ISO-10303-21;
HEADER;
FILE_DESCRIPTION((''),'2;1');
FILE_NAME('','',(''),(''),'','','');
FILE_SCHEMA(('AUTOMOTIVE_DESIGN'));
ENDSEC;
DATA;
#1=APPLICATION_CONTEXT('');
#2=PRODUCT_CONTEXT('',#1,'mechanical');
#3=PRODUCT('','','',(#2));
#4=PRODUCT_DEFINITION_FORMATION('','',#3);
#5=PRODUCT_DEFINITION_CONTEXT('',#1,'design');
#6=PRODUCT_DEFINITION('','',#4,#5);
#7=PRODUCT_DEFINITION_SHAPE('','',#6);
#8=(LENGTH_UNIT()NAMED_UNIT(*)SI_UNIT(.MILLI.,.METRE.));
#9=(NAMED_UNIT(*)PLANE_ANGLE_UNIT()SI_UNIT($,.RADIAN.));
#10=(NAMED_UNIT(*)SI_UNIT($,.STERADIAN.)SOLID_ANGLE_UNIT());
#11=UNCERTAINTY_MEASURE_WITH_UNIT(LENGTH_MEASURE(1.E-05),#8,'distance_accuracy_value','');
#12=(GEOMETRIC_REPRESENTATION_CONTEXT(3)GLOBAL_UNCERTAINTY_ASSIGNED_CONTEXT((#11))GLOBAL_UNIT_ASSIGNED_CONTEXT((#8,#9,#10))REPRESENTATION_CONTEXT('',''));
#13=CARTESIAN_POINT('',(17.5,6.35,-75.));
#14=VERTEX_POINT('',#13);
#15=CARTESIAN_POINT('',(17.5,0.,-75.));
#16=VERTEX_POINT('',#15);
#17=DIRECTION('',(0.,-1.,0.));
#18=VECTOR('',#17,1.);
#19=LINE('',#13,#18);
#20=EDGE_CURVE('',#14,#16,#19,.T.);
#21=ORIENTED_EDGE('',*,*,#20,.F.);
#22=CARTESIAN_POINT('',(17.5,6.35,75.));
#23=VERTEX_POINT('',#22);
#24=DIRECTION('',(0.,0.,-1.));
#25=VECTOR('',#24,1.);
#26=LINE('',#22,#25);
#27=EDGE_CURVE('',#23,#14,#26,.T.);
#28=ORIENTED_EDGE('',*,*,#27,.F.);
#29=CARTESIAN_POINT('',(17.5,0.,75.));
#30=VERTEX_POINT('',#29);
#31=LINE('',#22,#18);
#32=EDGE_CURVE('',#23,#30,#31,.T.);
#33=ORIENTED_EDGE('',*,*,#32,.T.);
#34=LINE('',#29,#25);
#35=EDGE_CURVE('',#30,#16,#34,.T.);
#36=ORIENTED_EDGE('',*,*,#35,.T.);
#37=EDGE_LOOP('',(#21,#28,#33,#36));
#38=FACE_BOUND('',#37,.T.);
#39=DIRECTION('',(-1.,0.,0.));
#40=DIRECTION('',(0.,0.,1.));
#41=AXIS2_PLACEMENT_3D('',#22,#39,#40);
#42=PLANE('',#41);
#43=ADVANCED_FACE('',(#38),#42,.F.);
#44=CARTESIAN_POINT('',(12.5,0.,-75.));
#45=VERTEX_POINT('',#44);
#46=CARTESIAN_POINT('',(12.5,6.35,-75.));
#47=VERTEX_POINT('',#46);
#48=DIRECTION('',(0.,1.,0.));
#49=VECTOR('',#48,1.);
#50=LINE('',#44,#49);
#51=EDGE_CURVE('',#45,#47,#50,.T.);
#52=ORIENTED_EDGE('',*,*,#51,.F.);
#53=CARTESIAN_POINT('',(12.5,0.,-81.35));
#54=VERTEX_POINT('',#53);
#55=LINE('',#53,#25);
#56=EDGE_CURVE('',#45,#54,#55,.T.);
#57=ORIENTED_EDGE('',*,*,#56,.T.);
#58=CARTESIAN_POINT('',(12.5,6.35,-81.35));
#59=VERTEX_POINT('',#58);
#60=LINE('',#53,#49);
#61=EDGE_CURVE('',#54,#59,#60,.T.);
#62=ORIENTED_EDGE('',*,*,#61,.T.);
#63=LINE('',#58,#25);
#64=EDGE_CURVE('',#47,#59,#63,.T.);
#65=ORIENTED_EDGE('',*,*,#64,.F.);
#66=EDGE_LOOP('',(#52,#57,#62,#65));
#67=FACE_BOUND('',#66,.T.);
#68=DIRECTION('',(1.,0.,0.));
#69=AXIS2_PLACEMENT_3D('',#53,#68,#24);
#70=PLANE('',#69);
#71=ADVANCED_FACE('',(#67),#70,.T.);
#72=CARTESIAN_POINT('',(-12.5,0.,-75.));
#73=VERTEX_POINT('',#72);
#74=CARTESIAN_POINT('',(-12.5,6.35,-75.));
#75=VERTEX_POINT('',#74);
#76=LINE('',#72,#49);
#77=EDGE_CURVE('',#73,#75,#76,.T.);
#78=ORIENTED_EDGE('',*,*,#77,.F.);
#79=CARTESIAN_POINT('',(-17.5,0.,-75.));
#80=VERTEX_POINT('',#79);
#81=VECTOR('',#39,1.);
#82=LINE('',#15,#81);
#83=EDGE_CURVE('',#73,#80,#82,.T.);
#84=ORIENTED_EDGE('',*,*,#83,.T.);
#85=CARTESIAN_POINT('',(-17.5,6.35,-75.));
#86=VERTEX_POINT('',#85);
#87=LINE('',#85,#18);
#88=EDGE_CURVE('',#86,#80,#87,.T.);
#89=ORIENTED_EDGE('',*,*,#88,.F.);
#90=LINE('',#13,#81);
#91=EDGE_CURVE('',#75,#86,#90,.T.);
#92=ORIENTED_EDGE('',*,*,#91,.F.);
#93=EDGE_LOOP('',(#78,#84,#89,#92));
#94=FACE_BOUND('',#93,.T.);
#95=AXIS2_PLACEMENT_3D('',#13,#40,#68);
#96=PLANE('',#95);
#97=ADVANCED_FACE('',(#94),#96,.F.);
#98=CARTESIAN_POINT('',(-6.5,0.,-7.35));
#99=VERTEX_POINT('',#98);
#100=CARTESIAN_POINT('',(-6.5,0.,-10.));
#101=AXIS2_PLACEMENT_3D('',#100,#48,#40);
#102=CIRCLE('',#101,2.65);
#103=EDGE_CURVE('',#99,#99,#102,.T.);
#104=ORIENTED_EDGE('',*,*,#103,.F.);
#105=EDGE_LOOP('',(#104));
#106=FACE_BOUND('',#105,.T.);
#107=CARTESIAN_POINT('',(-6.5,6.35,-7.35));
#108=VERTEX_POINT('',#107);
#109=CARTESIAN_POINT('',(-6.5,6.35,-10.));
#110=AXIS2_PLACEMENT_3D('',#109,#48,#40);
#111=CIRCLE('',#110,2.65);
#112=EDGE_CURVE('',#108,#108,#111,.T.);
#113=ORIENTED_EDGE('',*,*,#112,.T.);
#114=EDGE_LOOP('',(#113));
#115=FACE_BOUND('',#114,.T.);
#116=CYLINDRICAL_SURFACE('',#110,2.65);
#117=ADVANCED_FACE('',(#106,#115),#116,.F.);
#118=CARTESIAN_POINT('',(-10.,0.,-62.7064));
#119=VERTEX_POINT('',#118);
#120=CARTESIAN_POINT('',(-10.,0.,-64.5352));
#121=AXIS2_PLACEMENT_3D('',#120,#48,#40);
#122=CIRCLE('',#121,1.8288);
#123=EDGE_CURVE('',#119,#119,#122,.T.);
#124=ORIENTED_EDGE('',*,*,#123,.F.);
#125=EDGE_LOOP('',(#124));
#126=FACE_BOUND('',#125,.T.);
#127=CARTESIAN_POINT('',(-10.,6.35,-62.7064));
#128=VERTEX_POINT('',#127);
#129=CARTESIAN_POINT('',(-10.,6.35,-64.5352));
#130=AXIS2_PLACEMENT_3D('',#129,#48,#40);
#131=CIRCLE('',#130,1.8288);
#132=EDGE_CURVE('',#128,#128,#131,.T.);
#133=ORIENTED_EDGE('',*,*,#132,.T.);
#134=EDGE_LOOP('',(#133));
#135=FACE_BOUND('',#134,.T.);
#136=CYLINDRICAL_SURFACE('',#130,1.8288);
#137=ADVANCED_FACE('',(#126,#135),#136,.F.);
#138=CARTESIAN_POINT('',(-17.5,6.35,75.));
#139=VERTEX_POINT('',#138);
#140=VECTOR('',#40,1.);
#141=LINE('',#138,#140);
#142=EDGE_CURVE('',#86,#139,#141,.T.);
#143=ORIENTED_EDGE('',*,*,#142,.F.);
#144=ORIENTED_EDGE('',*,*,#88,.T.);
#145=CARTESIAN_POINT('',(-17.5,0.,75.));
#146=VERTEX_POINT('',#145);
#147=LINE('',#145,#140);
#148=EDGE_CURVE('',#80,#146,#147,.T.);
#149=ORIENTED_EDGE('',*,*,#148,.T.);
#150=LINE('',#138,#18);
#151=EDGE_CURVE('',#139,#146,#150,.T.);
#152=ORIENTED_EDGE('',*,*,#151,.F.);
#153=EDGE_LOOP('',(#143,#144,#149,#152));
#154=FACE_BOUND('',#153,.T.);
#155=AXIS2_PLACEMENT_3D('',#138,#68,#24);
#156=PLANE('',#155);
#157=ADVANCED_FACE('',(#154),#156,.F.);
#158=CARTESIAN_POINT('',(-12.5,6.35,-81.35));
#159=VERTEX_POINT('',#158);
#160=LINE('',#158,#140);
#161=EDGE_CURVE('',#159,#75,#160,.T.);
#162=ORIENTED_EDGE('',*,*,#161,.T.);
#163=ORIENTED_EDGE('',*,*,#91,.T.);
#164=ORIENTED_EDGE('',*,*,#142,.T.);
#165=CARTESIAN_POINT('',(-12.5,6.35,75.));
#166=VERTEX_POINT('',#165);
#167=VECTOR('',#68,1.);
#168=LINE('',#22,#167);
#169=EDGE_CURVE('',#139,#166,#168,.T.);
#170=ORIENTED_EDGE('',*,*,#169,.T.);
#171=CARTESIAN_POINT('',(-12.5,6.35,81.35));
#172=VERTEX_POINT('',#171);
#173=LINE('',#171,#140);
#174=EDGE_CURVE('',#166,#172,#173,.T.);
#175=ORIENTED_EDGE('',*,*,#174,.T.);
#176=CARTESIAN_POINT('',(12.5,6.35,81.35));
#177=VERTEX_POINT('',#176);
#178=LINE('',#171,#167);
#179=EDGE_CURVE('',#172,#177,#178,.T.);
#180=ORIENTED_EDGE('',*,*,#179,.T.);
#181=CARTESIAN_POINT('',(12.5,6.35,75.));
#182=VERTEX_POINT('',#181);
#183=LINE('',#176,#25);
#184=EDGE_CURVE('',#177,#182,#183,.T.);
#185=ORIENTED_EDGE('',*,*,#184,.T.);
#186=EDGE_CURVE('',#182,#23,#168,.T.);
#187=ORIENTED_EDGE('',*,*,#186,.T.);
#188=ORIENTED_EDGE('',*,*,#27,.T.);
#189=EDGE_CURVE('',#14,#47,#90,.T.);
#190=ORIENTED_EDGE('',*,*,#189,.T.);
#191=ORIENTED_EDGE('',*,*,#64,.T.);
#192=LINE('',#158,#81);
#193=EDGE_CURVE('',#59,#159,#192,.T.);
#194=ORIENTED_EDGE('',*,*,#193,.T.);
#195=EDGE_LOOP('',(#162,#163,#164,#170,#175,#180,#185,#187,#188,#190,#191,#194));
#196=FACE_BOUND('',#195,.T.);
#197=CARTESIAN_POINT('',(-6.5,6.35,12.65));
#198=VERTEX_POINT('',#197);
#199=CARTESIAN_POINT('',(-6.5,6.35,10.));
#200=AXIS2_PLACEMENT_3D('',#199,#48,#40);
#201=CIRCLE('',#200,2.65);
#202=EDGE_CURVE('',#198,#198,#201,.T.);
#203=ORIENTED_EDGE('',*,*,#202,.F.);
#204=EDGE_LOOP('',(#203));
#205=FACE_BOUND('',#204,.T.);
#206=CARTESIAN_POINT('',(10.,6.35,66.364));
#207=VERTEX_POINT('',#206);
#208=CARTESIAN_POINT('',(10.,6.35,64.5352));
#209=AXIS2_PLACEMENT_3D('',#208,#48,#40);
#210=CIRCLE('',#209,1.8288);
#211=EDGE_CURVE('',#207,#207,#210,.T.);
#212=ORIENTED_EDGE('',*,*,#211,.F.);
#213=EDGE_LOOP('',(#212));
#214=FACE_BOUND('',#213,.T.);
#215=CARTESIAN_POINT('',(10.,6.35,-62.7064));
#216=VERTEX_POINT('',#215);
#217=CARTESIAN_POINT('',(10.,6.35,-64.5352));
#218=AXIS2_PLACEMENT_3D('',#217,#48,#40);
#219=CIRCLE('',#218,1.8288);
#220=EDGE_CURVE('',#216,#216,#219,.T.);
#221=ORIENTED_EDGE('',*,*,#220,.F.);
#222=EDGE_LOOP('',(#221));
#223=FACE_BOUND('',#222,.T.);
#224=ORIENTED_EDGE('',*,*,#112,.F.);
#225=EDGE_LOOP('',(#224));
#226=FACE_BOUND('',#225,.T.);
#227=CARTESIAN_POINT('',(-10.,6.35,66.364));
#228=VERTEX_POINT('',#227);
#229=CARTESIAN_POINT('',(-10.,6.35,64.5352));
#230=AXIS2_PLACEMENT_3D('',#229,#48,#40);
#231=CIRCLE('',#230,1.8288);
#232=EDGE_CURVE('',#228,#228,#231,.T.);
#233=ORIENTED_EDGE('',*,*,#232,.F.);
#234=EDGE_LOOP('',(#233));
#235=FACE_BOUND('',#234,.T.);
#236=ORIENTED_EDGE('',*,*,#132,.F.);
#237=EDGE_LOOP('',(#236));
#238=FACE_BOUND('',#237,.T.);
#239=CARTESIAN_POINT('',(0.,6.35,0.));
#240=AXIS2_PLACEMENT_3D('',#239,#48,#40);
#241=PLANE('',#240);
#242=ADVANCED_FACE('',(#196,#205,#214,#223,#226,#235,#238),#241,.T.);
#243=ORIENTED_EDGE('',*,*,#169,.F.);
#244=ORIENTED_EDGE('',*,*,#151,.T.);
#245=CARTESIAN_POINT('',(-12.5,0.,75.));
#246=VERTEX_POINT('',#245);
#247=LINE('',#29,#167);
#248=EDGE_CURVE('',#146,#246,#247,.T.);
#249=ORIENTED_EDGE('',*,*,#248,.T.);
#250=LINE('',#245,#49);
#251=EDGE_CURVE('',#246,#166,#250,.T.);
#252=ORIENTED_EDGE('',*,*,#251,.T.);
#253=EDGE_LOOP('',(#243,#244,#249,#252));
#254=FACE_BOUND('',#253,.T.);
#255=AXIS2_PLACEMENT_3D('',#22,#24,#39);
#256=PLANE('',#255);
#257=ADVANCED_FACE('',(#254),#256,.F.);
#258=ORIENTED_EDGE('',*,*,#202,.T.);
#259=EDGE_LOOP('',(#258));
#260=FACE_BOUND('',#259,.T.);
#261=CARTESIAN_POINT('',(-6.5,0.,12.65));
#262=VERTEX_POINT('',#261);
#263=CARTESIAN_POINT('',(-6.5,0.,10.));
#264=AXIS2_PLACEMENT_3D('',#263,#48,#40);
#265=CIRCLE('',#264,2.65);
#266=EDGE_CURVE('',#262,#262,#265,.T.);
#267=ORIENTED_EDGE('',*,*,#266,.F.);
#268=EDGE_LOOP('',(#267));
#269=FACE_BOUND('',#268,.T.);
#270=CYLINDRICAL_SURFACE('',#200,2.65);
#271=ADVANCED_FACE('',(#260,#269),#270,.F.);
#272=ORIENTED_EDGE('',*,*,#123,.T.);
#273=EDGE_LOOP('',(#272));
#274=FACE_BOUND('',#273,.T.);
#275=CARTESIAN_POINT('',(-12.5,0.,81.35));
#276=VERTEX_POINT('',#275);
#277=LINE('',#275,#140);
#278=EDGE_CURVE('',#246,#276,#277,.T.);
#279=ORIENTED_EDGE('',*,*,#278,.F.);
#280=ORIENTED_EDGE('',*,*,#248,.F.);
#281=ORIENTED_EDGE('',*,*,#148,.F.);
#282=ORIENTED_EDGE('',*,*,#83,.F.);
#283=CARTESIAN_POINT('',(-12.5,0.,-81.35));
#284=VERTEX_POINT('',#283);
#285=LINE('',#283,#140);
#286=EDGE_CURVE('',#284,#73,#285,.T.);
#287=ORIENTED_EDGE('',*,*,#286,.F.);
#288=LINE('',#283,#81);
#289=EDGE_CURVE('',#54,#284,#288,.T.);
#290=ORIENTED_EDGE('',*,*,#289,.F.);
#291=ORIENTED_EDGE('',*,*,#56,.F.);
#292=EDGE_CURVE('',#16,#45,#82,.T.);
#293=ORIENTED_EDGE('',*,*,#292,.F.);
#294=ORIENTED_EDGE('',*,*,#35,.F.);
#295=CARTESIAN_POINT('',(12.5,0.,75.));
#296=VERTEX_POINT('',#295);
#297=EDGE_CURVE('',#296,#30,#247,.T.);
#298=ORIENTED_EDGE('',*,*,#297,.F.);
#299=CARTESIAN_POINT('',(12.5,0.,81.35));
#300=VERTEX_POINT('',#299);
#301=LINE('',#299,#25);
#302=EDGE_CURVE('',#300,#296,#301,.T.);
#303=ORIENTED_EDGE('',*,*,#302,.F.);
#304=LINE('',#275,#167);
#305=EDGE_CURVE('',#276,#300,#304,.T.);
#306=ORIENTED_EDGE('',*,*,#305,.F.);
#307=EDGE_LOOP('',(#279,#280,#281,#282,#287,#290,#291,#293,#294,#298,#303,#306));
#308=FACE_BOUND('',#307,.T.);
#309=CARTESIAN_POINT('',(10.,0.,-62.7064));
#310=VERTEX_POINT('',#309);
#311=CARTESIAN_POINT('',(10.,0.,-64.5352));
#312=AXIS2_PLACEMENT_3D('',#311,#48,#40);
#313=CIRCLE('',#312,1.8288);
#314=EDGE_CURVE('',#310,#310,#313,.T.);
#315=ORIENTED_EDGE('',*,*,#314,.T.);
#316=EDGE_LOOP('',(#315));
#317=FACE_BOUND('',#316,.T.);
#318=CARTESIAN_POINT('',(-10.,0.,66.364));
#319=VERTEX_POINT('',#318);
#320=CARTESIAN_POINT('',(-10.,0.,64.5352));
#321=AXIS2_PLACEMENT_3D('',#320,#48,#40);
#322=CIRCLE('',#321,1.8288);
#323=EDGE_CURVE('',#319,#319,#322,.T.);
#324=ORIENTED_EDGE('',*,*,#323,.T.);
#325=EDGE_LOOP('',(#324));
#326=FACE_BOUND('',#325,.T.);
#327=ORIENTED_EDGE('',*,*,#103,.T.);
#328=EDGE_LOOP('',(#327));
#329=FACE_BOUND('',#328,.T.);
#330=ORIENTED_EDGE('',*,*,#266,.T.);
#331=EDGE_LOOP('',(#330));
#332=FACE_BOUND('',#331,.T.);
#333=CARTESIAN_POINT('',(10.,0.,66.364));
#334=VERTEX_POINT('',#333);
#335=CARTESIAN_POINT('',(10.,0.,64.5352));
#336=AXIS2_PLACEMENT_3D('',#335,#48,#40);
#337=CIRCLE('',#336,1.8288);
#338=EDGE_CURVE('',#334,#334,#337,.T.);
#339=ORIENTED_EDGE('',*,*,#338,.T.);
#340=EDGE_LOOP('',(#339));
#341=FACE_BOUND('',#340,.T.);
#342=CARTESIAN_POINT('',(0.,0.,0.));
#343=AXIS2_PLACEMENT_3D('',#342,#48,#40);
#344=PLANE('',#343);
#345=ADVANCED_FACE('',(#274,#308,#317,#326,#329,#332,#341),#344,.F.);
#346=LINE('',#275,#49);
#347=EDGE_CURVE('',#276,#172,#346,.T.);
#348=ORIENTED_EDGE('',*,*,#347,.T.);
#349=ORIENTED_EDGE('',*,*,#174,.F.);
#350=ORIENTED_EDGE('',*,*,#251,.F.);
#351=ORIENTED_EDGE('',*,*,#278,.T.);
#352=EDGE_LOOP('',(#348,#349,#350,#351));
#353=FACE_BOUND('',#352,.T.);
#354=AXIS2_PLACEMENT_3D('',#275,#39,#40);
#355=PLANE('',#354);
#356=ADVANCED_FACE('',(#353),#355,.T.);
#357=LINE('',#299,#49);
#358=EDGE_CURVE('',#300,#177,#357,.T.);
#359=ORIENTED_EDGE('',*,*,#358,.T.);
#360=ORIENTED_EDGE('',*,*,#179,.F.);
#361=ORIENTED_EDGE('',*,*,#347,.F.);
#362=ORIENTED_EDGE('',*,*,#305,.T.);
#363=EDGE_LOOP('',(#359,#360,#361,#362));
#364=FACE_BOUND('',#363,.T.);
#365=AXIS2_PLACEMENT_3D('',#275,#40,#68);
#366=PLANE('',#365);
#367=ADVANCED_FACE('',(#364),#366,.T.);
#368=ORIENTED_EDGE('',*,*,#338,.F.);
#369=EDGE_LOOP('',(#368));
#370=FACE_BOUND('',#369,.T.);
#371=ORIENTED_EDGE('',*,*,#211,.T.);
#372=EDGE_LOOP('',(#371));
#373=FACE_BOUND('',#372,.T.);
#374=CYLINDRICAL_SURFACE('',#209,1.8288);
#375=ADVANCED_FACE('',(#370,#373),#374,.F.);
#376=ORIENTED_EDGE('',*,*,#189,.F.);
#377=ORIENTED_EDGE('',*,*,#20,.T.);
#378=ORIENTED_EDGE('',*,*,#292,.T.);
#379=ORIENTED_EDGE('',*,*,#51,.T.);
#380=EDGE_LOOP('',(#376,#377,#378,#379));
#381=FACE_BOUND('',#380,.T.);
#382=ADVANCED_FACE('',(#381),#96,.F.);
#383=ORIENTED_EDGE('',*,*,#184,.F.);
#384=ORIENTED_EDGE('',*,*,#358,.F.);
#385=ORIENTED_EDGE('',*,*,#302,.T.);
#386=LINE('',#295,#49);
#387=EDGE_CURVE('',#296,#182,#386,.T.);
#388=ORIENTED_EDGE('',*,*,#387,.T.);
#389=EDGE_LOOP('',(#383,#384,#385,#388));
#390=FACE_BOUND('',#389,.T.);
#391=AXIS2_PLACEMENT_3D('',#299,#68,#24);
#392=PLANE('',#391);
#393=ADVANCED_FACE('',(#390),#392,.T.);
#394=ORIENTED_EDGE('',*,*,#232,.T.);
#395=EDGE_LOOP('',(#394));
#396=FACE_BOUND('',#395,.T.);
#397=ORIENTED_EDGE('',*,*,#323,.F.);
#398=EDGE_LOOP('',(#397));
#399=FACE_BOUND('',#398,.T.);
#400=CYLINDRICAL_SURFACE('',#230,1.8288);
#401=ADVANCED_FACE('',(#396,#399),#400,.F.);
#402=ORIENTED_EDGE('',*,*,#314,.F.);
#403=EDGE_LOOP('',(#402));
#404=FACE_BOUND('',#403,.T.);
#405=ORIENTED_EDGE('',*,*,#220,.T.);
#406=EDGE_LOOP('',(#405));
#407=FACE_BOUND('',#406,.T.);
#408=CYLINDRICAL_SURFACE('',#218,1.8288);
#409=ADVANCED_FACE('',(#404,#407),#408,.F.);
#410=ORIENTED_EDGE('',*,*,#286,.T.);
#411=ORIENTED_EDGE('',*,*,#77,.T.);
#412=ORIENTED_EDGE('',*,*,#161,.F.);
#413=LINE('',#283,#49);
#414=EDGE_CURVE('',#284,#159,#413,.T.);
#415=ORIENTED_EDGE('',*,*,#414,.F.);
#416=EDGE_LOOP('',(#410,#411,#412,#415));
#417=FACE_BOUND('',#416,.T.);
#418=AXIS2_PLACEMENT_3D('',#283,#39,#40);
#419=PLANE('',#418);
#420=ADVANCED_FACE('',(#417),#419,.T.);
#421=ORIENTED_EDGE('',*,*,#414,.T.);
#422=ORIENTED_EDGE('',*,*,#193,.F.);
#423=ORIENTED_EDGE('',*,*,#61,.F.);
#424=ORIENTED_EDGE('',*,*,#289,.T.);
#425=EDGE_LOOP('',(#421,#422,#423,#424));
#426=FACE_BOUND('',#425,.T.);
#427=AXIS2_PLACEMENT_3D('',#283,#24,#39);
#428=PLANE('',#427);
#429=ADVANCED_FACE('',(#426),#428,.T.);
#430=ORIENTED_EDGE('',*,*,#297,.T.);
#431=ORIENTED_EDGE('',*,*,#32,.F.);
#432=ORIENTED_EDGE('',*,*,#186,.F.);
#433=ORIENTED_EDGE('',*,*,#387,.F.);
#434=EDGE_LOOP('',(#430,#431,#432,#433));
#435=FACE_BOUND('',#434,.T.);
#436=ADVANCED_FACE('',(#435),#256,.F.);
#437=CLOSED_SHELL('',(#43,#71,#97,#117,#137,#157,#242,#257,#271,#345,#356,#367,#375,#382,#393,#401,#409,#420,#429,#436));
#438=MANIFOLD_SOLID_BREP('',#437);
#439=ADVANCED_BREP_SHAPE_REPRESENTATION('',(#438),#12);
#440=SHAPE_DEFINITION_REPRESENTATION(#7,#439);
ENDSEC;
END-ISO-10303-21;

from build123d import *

# Parameters (mm, degrees)
SKETCH1_W             = 35
SKETCH1_H             = 150
BOSS_EXTRUDE1_DEPTH   = 6.35
SKETCH2_W             = 25
SKETCH2_H             = 6.35
BOSS_EXTRUDE2_DEPTH   = 6.35
F_6_CLEARANCE_HOLE1_D = 3.6576
M5_CLEARANCE_HOLE1_D  = 5.3


with BuildPart() as part:
    # Sketch1 → Boss-Extrude1 (new body)
    with BuildSketch(Plane(origin=(0, 0, 0), x_dir=(1, 0, 0), z_dir=(0, 1, 0))):
        Rectangle(SKETCH1_W, SKETCH1_H)
    extrude(amount=BOSS_EXTRUDE1_DEPTH)

    # Sketch2 → Boss-Extrude2 (add)
    with BuildSketch(Plane(origin=(0, 6.35, 0), x_dir=(1, 0, 0), z_dir=(0, 1, 0))):
        with Locations((0, -78.175)):
            Rectangle(SKETCH2_W, SKETCH2_H)
        with Locations((0, 78.175)):
            Rectangle(SKETCH2_W, SKETCH2_H)
    extrude(amount=-BOSS_EXTRUDE2_DEPTH)

    # #6 Clearance Hole1 (through all)
    with Locations(Plane(origin=(-10, 6.35, -64.5352), x_dir=(0, 0, 1), z_dir=(0, 1, 0))):
        with Locations((0, 0), (0, 20), (129.0704, 20), (129.0704, 0)):
            Hole(F_6_CLEARANCE_HOLE1_D / 2)

    # M5 Clearance Hole1 (through all)
    with Locations(Plane(origin=(-6.5, 6.35, 10), x_dir=(0, 0, 1), z_dir=(0, 1, 0))):
        with Locations((0, 0), (-20, 0)):
            Hole(M5_CLEARANCE_HOLE1_D / 2)


solid = part.part
